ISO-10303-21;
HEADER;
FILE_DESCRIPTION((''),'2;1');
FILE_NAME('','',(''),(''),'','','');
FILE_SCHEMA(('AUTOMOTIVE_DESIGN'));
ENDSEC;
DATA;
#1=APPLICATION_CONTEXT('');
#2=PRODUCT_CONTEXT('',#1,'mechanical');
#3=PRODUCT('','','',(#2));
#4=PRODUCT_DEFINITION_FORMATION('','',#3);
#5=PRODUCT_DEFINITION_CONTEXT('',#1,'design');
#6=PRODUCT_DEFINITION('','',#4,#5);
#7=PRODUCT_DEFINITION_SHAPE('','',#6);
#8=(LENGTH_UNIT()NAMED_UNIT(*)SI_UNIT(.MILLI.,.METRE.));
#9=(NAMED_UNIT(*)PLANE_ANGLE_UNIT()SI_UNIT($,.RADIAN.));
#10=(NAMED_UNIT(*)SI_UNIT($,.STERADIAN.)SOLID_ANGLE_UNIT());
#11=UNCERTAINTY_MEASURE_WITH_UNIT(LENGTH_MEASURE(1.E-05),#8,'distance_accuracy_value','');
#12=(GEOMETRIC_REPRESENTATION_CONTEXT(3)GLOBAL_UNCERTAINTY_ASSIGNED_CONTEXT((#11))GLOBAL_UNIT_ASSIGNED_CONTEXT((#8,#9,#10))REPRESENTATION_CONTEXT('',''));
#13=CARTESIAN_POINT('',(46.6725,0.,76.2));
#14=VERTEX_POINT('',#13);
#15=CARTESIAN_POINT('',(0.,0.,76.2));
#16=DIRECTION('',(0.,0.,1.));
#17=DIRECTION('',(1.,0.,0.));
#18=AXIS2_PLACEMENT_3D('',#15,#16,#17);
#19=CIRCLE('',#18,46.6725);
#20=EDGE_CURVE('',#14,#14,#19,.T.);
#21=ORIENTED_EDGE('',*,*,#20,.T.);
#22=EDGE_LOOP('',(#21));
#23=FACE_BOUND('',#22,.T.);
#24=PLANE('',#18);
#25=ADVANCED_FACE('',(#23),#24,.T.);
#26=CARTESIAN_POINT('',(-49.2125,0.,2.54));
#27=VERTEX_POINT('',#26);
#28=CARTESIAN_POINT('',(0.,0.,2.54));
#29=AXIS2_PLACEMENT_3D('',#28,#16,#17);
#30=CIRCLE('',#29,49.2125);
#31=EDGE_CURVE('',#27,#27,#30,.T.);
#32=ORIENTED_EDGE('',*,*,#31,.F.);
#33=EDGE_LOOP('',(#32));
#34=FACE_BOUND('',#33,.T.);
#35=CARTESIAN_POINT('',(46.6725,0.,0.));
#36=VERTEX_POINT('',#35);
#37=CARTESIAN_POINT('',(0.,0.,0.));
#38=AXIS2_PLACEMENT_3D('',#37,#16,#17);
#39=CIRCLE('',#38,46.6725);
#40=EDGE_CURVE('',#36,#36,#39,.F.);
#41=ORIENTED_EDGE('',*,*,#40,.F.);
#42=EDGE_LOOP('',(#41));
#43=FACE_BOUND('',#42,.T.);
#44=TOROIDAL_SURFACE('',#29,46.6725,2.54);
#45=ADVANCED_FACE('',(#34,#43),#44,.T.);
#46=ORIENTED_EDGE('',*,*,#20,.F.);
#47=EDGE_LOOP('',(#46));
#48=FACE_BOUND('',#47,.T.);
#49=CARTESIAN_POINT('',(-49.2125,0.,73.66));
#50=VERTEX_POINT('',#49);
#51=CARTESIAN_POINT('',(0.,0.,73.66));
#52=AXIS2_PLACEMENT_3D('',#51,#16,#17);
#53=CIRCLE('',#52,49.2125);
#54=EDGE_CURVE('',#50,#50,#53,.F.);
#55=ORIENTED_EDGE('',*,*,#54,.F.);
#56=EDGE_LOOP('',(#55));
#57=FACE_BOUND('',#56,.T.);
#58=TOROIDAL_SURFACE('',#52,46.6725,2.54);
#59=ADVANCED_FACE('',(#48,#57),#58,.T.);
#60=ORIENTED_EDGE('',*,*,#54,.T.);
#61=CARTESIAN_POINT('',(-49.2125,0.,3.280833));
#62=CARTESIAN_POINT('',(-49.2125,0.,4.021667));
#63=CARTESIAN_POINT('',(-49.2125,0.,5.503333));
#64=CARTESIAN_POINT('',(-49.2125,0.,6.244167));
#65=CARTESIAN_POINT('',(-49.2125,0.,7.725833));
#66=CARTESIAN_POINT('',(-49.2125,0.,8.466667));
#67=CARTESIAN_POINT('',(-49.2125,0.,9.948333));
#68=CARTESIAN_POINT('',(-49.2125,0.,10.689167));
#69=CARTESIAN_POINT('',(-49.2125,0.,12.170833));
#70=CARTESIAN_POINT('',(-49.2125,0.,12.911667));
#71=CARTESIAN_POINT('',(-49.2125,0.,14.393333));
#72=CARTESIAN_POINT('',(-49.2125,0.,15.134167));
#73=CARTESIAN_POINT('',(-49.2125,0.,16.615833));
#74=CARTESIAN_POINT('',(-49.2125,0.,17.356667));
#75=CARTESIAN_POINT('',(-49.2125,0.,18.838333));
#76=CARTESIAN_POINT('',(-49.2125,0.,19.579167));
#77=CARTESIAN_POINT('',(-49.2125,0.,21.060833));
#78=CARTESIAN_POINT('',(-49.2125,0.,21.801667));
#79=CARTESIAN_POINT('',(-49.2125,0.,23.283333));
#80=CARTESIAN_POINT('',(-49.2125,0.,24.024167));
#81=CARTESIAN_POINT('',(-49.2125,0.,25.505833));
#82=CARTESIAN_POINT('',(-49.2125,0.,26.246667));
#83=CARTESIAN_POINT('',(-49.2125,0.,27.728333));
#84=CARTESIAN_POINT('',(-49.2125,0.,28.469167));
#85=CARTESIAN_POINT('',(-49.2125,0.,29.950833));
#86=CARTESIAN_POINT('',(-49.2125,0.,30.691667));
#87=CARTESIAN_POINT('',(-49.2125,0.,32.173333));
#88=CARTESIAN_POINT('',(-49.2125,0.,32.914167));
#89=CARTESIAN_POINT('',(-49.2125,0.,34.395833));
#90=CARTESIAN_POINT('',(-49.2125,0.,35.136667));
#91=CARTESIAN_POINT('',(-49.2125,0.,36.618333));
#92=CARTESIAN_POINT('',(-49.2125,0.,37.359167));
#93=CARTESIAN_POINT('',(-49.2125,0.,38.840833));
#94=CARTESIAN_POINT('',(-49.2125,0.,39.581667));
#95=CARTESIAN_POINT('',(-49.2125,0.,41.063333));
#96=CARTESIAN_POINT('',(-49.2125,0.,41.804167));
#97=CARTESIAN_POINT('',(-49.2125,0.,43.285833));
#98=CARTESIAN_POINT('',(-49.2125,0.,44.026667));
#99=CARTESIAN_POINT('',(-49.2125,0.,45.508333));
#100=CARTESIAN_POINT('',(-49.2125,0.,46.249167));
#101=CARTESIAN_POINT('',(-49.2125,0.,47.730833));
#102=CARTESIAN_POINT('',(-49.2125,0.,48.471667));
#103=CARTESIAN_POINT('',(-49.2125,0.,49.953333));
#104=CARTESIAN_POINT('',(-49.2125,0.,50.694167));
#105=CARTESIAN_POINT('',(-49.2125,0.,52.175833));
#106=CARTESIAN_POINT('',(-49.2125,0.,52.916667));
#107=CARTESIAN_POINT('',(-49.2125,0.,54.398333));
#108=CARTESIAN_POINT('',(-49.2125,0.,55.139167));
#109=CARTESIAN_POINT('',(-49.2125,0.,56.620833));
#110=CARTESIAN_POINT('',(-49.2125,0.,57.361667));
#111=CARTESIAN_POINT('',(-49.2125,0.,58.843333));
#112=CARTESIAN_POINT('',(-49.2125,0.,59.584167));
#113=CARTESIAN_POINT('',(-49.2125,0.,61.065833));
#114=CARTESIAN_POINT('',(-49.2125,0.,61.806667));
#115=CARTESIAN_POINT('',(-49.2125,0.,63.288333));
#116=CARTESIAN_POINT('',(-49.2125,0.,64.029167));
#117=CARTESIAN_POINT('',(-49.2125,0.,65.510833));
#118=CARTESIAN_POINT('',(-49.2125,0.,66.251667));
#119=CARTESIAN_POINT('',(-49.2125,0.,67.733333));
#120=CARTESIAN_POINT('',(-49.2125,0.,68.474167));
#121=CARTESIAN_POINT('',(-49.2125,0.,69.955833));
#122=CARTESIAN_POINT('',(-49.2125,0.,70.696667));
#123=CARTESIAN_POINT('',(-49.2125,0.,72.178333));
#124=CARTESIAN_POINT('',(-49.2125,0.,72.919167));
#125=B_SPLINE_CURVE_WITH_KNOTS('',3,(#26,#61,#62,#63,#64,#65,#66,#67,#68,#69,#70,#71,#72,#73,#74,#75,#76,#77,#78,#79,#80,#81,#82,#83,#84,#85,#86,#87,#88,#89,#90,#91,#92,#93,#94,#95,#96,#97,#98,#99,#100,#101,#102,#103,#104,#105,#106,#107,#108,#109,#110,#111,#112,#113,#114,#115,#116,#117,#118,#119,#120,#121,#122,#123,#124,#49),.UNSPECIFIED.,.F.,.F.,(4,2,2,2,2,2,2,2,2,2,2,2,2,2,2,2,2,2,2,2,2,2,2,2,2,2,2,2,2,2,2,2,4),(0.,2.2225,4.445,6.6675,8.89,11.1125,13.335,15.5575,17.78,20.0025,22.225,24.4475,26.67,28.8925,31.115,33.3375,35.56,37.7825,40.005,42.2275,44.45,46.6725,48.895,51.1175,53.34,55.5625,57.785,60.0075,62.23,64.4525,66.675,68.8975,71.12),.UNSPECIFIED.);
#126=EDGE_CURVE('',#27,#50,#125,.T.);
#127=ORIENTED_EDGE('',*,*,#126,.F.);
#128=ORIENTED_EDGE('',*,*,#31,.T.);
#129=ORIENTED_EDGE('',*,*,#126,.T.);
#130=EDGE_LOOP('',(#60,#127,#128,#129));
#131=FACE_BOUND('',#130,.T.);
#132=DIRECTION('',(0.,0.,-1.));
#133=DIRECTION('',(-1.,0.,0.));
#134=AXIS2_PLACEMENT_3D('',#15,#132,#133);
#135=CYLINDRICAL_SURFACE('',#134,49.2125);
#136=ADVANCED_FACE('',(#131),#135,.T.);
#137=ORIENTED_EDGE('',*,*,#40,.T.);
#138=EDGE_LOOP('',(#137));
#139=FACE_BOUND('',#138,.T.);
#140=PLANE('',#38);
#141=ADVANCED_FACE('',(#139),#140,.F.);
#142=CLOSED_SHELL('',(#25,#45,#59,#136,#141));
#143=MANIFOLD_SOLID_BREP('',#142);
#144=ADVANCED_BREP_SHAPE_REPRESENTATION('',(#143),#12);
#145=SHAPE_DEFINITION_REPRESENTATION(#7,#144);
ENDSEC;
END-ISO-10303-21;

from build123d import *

# Parameters (mm, degrees)
SKETCH1_R           = 49.2125
BOSS_EXTRUDE1_DEPTH = 76.2
FILLET1_R           = 2.54


with BuildPart() as part:
    # Sketch1 → Boss-Extrude1 (new body)
    with BuildSketch(Plane.XY):
        with Locations(Location((0, 0, 0), (0, 0, 180))):
            Circle(SKETCH1_R)
    extrude(amount=BOSS_EXTRUDE1_DEPTH)

    # Fillet1
    fillet1_edges = [part.edges().sort_by_distance(p)[0] for p in [
        (49.2125, 0, 0),
        (49.2125, 0, 76.2),
    ]]
    fillet(fillet1_edges, radius=FILLET1_R)


solid = part.part
